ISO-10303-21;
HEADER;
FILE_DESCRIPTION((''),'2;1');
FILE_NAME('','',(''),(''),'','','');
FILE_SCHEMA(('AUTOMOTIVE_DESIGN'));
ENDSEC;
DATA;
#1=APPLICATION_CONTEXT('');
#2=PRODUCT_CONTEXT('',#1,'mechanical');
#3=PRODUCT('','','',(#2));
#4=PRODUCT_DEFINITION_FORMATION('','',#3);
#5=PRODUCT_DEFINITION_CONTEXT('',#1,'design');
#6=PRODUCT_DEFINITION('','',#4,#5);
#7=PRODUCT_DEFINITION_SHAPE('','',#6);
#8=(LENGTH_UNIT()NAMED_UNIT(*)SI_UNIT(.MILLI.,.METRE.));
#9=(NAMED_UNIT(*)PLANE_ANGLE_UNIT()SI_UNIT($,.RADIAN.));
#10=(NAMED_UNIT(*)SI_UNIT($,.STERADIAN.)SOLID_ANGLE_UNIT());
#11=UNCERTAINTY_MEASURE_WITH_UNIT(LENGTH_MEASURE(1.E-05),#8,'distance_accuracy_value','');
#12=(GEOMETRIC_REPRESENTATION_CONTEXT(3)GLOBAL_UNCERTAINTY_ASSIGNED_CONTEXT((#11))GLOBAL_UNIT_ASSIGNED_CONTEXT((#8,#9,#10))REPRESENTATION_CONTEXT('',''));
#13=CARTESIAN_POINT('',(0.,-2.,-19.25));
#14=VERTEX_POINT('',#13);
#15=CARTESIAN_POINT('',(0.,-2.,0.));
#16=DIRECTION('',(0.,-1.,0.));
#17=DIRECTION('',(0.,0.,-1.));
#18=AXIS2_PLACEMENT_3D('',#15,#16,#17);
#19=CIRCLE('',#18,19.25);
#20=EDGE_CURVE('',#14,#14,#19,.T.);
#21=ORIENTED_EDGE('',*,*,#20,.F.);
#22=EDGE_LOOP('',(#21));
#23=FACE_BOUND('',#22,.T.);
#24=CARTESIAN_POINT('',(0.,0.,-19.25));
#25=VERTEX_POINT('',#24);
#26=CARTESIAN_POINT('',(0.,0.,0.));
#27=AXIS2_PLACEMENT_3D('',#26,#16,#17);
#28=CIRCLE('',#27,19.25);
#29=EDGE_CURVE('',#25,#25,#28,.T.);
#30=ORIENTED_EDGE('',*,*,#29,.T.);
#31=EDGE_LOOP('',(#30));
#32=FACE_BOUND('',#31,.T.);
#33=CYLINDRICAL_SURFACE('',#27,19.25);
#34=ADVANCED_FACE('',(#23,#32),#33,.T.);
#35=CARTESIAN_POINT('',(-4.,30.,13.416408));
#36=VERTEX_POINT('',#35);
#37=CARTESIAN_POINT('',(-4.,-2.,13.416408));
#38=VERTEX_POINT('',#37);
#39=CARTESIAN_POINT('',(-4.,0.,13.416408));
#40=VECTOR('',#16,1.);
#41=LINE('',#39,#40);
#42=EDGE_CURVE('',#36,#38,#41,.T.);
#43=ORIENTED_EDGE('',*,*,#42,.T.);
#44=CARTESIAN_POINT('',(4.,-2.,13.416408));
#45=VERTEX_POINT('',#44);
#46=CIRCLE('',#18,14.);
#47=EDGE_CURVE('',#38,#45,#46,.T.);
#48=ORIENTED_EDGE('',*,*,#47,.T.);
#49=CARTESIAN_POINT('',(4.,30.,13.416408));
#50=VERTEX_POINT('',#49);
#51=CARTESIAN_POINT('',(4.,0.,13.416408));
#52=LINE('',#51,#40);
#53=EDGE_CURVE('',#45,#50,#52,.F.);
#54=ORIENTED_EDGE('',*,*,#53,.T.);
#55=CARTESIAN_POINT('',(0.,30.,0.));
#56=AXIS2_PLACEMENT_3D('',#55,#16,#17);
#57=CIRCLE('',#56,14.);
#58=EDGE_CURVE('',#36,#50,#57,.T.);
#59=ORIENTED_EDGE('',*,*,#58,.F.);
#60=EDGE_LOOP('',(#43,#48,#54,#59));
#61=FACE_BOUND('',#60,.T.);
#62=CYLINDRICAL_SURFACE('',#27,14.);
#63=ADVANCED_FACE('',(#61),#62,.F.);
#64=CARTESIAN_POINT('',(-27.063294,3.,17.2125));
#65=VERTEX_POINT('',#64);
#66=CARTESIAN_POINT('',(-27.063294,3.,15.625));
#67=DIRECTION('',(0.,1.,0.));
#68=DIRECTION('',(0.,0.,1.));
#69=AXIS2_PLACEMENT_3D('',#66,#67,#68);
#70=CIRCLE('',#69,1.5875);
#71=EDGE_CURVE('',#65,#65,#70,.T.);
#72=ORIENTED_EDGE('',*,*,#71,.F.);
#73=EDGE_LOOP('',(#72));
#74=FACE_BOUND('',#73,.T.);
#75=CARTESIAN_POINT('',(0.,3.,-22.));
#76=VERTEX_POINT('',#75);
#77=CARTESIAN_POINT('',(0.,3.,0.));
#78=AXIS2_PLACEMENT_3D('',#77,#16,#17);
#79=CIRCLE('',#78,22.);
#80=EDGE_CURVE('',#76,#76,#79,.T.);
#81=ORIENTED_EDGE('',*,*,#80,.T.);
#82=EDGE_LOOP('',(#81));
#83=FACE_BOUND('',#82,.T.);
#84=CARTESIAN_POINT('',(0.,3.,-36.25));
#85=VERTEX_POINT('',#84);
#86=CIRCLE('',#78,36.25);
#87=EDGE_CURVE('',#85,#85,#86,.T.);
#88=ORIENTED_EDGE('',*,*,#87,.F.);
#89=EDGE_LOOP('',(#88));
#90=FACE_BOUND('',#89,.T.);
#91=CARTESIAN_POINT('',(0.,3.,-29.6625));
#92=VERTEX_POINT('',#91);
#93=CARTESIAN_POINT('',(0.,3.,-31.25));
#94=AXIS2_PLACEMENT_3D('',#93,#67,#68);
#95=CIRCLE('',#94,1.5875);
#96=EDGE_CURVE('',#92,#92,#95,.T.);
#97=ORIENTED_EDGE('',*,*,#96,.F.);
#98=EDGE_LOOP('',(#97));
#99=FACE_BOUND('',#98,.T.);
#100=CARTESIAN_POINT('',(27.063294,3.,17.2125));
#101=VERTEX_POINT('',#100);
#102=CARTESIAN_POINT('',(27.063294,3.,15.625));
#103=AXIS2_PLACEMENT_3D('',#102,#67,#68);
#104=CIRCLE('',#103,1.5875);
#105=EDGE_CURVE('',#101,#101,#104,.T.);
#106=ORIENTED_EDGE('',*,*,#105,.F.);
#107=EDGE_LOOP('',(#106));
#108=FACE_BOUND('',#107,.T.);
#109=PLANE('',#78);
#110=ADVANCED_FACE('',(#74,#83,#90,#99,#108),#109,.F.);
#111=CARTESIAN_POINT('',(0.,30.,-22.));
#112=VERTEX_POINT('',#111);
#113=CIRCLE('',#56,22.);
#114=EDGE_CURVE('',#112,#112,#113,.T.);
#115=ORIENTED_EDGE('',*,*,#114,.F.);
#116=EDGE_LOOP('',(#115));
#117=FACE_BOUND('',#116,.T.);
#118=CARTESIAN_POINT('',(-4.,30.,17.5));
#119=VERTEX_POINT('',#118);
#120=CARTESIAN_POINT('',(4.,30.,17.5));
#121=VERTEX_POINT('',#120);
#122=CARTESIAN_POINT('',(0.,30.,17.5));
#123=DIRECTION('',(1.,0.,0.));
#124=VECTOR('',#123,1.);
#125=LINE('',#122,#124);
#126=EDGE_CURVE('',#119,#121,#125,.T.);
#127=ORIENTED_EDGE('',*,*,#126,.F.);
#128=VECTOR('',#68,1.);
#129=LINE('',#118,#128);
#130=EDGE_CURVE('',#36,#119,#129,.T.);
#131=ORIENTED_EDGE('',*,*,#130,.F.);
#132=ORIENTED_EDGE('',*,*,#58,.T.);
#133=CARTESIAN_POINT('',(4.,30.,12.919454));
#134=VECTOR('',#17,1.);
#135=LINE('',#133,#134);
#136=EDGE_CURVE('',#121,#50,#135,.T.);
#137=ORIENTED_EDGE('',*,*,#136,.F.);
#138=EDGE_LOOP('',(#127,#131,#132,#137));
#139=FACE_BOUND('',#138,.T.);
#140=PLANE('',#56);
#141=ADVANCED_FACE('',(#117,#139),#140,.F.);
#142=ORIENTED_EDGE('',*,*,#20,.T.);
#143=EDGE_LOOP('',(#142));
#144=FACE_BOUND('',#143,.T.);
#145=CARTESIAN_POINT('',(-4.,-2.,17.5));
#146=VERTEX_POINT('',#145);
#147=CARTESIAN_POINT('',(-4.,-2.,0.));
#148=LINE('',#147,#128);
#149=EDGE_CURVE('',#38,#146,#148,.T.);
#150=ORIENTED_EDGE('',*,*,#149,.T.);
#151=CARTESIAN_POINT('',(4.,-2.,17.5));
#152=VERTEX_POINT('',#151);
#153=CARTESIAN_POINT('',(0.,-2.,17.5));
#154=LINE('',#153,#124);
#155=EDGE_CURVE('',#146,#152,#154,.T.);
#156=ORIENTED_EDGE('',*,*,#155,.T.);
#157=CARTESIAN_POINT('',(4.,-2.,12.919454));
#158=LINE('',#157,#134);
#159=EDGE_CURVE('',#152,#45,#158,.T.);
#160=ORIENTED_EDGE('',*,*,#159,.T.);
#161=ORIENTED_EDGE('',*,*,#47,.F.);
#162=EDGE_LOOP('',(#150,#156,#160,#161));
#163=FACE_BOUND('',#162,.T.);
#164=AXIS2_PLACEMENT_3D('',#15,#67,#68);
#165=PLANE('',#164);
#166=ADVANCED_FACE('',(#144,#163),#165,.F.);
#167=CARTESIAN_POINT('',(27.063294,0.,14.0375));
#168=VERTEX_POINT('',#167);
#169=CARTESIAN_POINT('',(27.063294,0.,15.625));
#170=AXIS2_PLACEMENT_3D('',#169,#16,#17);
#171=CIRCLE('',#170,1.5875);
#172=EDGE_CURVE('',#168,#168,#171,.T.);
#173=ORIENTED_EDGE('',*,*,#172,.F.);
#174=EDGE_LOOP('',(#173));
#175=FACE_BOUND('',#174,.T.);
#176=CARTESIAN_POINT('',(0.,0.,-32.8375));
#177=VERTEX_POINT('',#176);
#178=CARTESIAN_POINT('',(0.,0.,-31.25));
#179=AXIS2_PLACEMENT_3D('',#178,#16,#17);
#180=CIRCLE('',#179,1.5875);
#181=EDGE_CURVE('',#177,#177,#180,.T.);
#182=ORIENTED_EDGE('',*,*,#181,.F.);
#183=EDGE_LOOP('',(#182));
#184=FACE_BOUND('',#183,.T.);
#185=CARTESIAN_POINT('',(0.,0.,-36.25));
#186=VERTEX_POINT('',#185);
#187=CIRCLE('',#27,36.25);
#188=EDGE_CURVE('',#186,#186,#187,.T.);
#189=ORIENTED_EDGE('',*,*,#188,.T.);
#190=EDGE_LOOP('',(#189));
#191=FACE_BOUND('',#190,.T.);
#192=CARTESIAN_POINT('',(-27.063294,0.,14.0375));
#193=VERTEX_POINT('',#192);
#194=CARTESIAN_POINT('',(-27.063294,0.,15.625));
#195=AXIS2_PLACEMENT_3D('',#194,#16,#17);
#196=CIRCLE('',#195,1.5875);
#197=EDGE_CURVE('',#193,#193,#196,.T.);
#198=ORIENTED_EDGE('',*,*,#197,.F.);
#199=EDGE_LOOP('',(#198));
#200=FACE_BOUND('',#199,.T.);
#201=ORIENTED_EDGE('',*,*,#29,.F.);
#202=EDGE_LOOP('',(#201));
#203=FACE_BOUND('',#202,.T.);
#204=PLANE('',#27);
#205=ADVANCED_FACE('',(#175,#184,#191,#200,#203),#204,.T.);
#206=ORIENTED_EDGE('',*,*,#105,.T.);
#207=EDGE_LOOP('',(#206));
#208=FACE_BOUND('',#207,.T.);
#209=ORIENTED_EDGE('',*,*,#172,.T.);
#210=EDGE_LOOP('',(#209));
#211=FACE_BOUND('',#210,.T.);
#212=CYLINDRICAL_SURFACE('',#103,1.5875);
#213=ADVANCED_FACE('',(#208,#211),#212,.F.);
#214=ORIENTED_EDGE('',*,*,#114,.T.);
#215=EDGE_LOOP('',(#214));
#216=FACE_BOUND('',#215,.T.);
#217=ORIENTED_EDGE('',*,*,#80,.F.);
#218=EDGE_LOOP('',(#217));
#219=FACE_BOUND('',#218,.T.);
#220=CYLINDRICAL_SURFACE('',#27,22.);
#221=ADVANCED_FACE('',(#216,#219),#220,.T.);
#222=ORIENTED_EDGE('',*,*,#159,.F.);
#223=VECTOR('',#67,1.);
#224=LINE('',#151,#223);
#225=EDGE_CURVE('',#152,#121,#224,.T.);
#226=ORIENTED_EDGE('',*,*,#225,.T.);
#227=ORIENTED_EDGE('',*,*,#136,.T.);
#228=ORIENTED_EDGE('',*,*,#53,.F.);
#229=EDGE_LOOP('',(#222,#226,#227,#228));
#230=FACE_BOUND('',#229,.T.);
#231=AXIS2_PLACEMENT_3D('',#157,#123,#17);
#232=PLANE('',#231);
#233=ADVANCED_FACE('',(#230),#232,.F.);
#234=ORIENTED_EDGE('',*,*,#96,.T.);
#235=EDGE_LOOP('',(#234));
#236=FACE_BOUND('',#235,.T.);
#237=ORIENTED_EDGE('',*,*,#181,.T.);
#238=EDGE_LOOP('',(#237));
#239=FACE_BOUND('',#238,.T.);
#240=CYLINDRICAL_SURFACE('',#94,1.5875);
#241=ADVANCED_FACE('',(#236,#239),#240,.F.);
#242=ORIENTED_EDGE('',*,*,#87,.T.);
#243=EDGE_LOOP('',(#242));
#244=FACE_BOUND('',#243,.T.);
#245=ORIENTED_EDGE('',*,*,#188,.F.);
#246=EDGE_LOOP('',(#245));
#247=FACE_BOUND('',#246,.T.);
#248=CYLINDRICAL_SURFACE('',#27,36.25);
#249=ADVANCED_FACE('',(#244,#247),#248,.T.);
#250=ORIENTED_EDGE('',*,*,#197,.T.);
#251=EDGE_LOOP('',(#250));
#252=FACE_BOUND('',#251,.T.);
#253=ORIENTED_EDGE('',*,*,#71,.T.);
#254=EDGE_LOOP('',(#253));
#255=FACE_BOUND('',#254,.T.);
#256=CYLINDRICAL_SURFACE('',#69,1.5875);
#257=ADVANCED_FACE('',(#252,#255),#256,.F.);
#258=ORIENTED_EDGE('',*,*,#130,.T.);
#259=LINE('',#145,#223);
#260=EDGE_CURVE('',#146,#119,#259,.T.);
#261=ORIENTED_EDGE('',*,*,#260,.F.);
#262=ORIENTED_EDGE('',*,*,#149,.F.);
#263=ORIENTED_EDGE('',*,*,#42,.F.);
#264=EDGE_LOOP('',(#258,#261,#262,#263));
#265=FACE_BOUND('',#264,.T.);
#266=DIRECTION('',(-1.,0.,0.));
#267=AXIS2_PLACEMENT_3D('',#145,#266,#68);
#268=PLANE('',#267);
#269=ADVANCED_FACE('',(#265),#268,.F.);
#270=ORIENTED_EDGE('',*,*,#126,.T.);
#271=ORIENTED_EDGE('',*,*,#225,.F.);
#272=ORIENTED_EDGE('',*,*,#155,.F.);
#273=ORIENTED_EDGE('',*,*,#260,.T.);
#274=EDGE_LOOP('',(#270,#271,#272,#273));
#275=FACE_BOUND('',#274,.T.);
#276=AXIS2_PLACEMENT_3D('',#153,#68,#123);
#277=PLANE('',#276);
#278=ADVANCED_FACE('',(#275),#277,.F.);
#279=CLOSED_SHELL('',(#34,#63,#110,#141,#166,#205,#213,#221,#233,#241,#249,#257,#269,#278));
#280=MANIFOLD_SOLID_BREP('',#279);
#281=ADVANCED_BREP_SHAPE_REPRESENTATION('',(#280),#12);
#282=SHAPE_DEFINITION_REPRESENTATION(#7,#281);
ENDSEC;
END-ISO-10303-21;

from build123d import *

# Parameters (mm, degrees)
F_1_8_0_125_DIAMETER_HOLE1_D = 3.175
CIRPATTERN1_COUNT            = 3
CUT_EXTRUDE2_DEPTH           = 61.432813934


with BuildPart() as part:
    # Sketch1 → Revolve1 (revolve)
    with BuildSketch(Plane.XY, mode=Mode.PRIVATE) as revolve1_sk:
        Polygon((22, 30), (22, 3), (36.25, 3), (36.25, 0), (19.25, 0), (19.25, -2), (14, -2), (14, 30), align=None)
    revolve(revolve1_sk.sketch.rotate(Axis((0, 0, 0), (0, 1, 0)), 90), axis=Axis((0, 0, 0), (0, 1, 0)))

    # 1/8 (0.125) Diameter Hole1 (through all)
    with Locations(Plane(origin=(0, 3, 0), x_dir=(1, 0, 0), z_dir=(0, 1, 0))):
        with Locations((0, 31.25)):
            f_1_8_0_125_diameter_hole1 = Hole(F_1_8_0_125_DIAMETER_HOLE1_D / 2)

    # CirPattern1: 1/8 (0.125) Diameter Hole1 ×3 about axis
    cirpattern1_axis = Axis((0, 0, 0), (0, 1, 0))
    for i in range(1, CIRPATTERN1_COUNT):
        add(f_1_8_0_125_diameter_hole1.rotate(cirpattern1_axis, i * 360 / CIRPATTERN1_COUNT), mode=Mode.SUBTRACT)

    # Sketch7 → Cut-Extrude2 (cut, through all)
    with BuildSketch(Plane(origin=(0, 30, 0), x_dir=(1, 0, 0), z_dir=(0, 1, 0))):
        Polygon((0, -17.5), (4, -17.5), (4, -12.919453698), (-4, -12.919453698), (-4, -17.5), align=None)
    extrude(amount=-CUT_EXTRUDE2_DEPTH, mode=Mode.SUBTRACT)


solid = part.part
